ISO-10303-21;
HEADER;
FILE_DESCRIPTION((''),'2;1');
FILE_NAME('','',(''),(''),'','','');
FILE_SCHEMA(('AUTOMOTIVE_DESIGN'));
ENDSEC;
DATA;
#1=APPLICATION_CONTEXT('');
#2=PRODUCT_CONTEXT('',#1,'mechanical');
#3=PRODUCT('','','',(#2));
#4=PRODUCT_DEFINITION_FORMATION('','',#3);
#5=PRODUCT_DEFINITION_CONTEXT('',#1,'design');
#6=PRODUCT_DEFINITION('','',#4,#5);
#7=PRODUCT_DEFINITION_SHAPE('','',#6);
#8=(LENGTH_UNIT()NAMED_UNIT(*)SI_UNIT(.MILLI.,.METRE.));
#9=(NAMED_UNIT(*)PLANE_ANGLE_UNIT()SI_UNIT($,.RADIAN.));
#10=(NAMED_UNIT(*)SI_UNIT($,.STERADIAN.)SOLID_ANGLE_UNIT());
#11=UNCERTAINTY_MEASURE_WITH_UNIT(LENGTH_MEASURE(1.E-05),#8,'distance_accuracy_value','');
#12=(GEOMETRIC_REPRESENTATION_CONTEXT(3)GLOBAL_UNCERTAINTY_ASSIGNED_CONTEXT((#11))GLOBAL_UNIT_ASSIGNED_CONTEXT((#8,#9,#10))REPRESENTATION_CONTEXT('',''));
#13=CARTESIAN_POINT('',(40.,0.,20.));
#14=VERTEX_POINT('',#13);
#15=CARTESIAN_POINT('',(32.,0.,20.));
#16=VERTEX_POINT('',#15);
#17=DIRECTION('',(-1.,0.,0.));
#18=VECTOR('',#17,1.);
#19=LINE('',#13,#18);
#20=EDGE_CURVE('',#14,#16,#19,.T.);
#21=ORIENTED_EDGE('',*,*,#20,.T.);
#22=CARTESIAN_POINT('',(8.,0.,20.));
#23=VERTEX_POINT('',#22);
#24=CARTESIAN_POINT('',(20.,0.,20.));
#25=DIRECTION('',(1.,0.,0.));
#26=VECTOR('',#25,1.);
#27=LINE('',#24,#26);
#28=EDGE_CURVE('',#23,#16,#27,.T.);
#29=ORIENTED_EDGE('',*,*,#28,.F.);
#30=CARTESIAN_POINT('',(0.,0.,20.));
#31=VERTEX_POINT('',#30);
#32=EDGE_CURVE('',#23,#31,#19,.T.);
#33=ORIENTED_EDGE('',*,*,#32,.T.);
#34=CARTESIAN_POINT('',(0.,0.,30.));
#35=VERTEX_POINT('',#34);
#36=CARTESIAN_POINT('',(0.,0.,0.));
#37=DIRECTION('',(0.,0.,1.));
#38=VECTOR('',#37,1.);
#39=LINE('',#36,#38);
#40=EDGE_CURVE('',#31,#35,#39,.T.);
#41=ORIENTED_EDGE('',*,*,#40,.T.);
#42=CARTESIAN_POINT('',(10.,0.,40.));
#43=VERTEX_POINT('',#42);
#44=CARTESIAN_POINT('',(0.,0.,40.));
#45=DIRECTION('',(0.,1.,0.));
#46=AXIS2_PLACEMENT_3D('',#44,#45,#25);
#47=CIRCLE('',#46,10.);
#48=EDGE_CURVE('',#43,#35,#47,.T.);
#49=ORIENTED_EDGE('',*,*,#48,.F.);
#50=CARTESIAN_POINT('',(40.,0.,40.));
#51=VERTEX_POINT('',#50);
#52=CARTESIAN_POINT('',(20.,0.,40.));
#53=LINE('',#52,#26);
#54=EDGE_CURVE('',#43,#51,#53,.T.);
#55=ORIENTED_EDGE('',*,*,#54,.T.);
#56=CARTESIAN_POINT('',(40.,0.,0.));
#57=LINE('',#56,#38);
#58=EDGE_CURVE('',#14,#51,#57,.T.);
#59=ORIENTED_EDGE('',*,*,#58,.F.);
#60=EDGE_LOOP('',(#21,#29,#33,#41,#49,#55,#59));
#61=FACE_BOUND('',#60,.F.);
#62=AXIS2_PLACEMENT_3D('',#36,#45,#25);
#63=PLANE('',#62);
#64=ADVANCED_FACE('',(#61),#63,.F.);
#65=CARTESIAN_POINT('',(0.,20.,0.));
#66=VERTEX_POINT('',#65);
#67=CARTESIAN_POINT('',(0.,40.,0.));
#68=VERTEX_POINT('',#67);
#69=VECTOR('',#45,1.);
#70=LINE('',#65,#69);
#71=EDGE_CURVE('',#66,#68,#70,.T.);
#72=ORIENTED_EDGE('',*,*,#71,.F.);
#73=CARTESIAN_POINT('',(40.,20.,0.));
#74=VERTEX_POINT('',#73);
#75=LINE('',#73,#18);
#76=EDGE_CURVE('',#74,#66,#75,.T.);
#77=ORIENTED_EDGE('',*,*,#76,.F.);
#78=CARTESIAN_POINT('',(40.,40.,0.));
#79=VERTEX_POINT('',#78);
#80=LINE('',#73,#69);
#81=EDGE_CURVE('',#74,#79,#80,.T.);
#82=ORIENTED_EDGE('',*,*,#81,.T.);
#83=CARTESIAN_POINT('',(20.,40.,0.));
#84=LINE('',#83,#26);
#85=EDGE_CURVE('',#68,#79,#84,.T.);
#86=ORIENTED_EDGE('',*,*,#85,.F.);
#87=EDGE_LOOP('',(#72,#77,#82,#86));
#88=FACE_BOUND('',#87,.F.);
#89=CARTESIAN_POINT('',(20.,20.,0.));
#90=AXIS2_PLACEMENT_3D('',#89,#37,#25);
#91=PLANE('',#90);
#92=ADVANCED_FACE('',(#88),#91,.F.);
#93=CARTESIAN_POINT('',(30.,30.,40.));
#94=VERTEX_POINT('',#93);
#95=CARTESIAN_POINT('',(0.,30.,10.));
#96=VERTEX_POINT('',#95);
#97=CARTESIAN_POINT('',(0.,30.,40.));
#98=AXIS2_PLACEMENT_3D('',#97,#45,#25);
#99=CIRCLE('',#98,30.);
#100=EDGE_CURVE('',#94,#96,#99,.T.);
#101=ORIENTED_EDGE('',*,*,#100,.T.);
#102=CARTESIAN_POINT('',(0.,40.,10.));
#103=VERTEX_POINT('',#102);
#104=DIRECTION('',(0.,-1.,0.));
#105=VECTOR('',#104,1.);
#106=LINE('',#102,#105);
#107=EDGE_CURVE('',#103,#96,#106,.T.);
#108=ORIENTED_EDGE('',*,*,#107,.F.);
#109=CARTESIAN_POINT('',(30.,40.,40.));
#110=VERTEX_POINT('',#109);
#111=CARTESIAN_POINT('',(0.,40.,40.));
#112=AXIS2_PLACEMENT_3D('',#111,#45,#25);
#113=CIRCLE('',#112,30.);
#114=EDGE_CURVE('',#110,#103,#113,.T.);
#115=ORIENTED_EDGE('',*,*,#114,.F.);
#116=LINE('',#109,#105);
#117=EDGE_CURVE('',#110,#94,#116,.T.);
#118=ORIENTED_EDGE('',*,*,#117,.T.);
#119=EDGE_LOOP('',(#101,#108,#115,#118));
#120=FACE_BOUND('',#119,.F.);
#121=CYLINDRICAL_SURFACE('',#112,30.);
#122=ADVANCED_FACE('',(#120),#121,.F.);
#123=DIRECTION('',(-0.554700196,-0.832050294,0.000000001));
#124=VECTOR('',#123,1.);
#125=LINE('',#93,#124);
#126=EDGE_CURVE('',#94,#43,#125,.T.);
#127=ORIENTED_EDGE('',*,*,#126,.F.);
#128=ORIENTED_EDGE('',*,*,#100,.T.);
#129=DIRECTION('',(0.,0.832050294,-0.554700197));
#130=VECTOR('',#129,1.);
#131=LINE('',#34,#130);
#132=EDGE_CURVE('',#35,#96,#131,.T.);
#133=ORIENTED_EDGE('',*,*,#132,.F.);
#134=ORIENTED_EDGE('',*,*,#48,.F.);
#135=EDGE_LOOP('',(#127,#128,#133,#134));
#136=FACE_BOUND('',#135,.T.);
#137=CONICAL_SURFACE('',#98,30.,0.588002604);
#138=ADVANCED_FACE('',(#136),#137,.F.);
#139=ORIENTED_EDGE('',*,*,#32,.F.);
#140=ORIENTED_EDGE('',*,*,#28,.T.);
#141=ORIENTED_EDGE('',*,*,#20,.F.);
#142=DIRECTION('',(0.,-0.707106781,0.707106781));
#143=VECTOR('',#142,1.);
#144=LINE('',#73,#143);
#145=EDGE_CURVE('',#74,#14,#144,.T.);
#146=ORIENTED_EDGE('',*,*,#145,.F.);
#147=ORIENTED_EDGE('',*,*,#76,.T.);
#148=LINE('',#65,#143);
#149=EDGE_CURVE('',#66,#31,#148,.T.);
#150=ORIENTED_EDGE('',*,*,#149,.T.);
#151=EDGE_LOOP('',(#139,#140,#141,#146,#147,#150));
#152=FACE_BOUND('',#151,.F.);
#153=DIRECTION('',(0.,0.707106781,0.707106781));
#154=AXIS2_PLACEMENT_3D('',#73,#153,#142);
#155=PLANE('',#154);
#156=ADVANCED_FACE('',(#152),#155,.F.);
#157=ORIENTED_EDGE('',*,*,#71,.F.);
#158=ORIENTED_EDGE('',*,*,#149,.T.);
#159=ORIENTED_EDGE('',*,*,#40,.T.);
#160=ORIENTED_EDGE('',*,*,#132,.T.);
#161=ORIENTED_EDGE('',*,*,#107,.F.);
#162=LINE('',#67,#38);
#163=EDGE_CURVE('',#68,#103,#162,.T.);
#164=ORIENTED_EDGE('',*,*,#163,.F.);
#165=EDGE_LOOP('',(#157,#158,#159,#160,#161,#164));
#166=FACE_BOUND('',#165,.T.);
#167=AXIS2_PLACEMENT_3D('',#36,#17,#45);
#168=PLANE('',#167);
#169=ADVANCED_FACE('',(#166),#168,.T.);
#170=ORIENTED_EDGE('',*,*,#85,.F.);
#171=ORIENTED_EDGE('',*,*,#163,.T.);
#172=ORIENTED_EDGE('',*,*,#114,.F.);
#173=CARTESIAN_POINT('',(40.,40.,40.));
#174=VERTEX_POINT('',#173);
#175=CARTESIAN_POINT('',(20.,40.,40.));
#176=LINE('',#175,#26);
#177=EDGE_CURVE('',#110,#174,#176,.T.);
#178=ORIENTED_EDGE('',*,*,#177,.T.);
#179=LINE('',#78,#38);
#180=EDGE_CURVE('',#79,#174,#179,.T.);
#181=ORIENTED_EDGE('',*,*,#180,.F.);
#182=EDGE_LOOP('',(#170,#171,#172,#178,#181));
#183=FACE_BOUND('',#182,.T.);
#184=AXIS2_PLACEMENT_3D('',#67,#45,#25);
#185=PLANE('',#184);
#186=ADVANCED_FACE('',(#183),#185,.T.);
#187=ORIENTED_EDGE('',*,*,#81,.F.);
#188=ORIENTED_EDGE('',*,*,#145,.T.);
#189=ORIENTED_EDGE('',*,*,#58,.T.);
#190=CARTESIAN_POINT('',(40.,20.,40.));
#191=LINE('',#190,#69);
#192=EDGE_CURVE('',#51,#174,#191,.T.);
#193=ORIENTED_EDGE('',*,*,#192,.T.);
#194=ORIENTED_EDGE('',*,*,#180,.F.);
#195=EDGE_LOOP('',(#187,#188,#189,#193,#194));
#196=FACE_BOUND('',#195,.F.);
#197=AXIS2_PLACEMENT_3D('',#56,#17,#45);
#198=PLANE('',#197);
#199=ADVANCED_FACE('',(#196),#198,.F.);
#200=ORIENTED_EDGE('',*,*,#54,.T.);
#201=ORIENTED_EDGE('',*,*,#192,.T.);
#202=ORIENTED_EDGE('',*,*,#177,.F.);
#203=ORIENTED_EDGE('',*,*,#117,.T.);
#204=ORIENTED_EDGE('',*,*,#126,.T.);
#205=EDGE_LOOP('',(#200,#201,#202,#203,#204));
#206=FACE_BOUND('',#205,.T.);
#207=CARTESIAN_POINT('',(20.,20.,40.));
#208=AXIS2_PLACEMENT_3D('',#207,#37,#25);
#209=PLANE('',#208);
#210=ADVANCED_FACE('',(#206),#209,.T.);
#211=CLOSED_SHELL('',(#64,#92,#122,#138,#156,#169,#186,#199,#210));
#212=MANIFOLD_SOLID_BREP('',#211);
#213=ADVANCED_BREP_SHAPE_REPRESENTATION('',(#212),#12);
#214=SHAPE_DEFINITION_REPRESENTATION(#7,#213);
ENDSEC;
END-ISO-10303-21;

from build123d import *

# Parameters (mm, degrees)
SKETCH1_W           = 40
SKETCH1_H           = 40
BOSS_EXTRUDE1_DEPTH = 40
CUT_EXTRUDE1_DEPTH  = 40
CUT_EXTRUDE2_DEPTH  = 40
CUT_EXTRUDE3_DEPTH  = 10
BOSS_EXTRUDE2_DEPTH = 28
CUT_EXTRUDE11_DEPTH = 10
SKETCH20_W          = 40
SKETCH20_H          = 20
CUT_EXTRUDE12_DEPTH = 10
SKETCH21_W          = 40
SKETCH21_H          = 28.284271248
CUT_EXTRUDE13_DEPTH = 10
CUT_EXTRUDE14_DEPTH = 10
SKETCH23_W          = 40
SKETCH23_H          = 40
CUT_EXTRUDE15_DEPTH = 10
SKETCH24_W          = 40
SKETCH24_H          = 40
CUT_EXTRUDE16_DEPTH = 10
CUT_EXTRUDE17_DEPTH = 59
CUT_EXTRUDE18_DEPTH = 59


with BuildPart() as part:
    # Sketch1 → Boss-Extrude1 (new body)
    with BuildSketch(Plane.XY):
        with Locations((20, 20)):
            Rectangle(SKETCH1_W, SKETCH1_H)
    extrude(amount=BOSS_EXTRUDE1_DEPTH)

    # Sketch2 → Cut-Extrude1 (cut)
    with BuildSketch(Plane(origin=(0, 40, 0), x_dir=(1, 0, 0), z_dir=(0, 1, 0))):
        with BuildLine():
            Line((0, -30), (0, -40))
            Line((0, -40), (10, -40))
            ThreePointArc((10, -40), (7.071067812, -32.928932188), (0, -30))
        make_face()
    extrude(amount=-CUT_EXTRUDE1_DEPTH, mode=Mode.SUBTRACT)

    # Sketch3 → Cut-Extrude2 (cut)
    with BuildSketch(Plane(origin=(40, 0, 0), x_dir=(0, 0, -1), z_dir=(1, 0, 0))):
        Polygon((0, 20), (-20, 0), (0, 0), align=None)
    extrude(amount=-CUT_EXTRUDE2_DEPTH, mode=Mode.SUBTRACT)

    # Sketch4 → Cut-Extrude3 (cut)
    with BuildSketch(Plane(origin=(0, 40, 0), x_dir=(1, 0, 0), z_dir=(0, 1, 0))):
        with BuildLine():
            Line((0, -10), (0, -30))
            ThreePointArc((0, -30), (7.071067812, -32.928932188), (10, -40))
            Line((10, -40), (30, -40))
            ThreePointArc((30, -40), (21.213203436, -18.786796564), (0, -10))
        make_face()
    extrude(amount=-CUT_EXTRUDE3_DEPTH, mode=Mode.SUBTRACT)

    # Sketch8 → Boss-Extrude2 (add)
    with BuildSketch(Plane(origin=(-13.333333333, 6.666666667, 13.333333333), x_dir=(-0.745355992, -0.298142397, -0.596284794), z_dir=(0.666666667, -0.333333333, -0.666666667))):
        Polygon((-17.88854382, 31.304951685), (-17.88854382, -13.416407865), (-31.304951685, -17.88854382), (-58.137767415, 17.88854382), align=None)
    extrude(amount=BOSS_EXTRUDE2_DEPTH)

    # Sketch19 → Cut-Extrude11 (cut)
    with BuildSketch(Plane(origin=(0, 40, 0), x_dir=(1, 0, 0), z_dir=(0, 1, 0))):
        with BuildLine():
            Line((0, -10), (0, -40))
            Line((0, -40), (30, -40))
            ThreePointArc((30, -40), (21.213203436, -18.786796564), (0, -10))
        make_face()
    extrude(amount=-CUT_EXTRUDE11_DEPTH, mode=Mode.SUBTRACT)

    # Sketch20 → Cut-Extrude12 (cut)
    with BuildSketch(Plane(origin=(0, 0, 0), x_dir=(-1, 0, 0), z_dir=(0, 0, -1))):
        with Locations((-20, 30)):
            Rectangle(SKETCH20_W, SKETCH20_H)
    extrude(amount=CUT_EXTRUDE12_DEPTH, mode=Mode.SUBTRACT)

    # Sketch21 → Cut-Extrude13 (cut)
    with BuildSketch(Plane(origin=(0, 10, 10), x_dir=(1, 0, 0), z_dir=(0, -0.707106781, -0.707106781))):
        with Locations((20, 0)):
            Rectangle(SKETCH21_W, SKETCH21_H)
    extrude(amount=CUT_EXTRUDE13_DEPTH, mode=Mode.SUBTRACT)

    # Sketch22 → Cut-Extrude14 (cut)
    with BuildSketch(Plane(origin=(0, 10, -10), x_dir=(1, 0, 0), z_dir=(0, -0.707106781, 0.707106781))):
        Polygon((16, 14.142135624), (22, 14.142135624), (18.666666667, 10.999438818), align=None)
    extrude(amount=-CUT_EXTRUDE14_DEPTH, mode=Mode.SUBTRACT)

    # Sketch23 → Cut-Extrude15 (cut)
    with BuildSketch(Plane.XZ):
        with Locations((20, 20)):
            Rectangle(SKETCH23_W, SKETCH23_H)
    extrude(amount=CUT_EXTRUDE15_DEPTH, mode=Mode.SUBTRACT)

    # Sketch24 → Cut-Extrude16 (cut)
    with BuildSketch(Plane(origin=(40, 0, 0), x_dir=(0, 0, -1), z_dir=(1, 0, 0))):
        with Locations((-20, 20)):
            Rectangle(SKETCH24_W, SKETCH24_H)
    extrude(amount=CUT_EXTRUDE16_DEPTH, mode=Mode.SUBTRACT)

    # Sketch25 → Cut-Extrude17 (cut)
    with BuildSketch(Plane(origin=(-12.272727273, 8.181818182, 12.272727273), x_dir=(0.768706115, 0.354787438, 0.532181156), z_dir=(-0.639602149, 0.426401433, 0.639602149))):
        Polygon((15.965434692, -16.641005887), (15.965434692, 19.414506868), (54.992052827, 2.773500981), (28.974307403, -22.188007849), align=None)
    extrude(amount=CUT_EXTRUDE17_DEPTH, mode=Mode.SUBTRACT)

    # Sketch26 → Cut-Extrude18 (cut)
    with BuildSketch(Plane(origin=(0, 30, 0), x_dir=(1, 0, 0), z_dir=(0, 1, 0))):
        with BuildLine():
            Line((0, -30), (0, -40))
            Line((0, -40), (10, -40))
            ThreePointArc((10, -40), (7.071067812, -32.928932188), (0, -30))
        make_face()
    extrude(amount=-CUT_EXTRUDE18_DEPTH, mode=Mode.SUBTRACT)

    # Sketch27 → Cut-Revolve1 (revolve, cut)
    with BuildSketch(Plane.XY.offset(40)):
        Polygon((30, 30), (10, 0), (10, 30), align=None)
    revolve(axis=Axis((0, 0, 40), (0, 1, 0)), mode=Mode.SUBTRACT)


solid = part.part
